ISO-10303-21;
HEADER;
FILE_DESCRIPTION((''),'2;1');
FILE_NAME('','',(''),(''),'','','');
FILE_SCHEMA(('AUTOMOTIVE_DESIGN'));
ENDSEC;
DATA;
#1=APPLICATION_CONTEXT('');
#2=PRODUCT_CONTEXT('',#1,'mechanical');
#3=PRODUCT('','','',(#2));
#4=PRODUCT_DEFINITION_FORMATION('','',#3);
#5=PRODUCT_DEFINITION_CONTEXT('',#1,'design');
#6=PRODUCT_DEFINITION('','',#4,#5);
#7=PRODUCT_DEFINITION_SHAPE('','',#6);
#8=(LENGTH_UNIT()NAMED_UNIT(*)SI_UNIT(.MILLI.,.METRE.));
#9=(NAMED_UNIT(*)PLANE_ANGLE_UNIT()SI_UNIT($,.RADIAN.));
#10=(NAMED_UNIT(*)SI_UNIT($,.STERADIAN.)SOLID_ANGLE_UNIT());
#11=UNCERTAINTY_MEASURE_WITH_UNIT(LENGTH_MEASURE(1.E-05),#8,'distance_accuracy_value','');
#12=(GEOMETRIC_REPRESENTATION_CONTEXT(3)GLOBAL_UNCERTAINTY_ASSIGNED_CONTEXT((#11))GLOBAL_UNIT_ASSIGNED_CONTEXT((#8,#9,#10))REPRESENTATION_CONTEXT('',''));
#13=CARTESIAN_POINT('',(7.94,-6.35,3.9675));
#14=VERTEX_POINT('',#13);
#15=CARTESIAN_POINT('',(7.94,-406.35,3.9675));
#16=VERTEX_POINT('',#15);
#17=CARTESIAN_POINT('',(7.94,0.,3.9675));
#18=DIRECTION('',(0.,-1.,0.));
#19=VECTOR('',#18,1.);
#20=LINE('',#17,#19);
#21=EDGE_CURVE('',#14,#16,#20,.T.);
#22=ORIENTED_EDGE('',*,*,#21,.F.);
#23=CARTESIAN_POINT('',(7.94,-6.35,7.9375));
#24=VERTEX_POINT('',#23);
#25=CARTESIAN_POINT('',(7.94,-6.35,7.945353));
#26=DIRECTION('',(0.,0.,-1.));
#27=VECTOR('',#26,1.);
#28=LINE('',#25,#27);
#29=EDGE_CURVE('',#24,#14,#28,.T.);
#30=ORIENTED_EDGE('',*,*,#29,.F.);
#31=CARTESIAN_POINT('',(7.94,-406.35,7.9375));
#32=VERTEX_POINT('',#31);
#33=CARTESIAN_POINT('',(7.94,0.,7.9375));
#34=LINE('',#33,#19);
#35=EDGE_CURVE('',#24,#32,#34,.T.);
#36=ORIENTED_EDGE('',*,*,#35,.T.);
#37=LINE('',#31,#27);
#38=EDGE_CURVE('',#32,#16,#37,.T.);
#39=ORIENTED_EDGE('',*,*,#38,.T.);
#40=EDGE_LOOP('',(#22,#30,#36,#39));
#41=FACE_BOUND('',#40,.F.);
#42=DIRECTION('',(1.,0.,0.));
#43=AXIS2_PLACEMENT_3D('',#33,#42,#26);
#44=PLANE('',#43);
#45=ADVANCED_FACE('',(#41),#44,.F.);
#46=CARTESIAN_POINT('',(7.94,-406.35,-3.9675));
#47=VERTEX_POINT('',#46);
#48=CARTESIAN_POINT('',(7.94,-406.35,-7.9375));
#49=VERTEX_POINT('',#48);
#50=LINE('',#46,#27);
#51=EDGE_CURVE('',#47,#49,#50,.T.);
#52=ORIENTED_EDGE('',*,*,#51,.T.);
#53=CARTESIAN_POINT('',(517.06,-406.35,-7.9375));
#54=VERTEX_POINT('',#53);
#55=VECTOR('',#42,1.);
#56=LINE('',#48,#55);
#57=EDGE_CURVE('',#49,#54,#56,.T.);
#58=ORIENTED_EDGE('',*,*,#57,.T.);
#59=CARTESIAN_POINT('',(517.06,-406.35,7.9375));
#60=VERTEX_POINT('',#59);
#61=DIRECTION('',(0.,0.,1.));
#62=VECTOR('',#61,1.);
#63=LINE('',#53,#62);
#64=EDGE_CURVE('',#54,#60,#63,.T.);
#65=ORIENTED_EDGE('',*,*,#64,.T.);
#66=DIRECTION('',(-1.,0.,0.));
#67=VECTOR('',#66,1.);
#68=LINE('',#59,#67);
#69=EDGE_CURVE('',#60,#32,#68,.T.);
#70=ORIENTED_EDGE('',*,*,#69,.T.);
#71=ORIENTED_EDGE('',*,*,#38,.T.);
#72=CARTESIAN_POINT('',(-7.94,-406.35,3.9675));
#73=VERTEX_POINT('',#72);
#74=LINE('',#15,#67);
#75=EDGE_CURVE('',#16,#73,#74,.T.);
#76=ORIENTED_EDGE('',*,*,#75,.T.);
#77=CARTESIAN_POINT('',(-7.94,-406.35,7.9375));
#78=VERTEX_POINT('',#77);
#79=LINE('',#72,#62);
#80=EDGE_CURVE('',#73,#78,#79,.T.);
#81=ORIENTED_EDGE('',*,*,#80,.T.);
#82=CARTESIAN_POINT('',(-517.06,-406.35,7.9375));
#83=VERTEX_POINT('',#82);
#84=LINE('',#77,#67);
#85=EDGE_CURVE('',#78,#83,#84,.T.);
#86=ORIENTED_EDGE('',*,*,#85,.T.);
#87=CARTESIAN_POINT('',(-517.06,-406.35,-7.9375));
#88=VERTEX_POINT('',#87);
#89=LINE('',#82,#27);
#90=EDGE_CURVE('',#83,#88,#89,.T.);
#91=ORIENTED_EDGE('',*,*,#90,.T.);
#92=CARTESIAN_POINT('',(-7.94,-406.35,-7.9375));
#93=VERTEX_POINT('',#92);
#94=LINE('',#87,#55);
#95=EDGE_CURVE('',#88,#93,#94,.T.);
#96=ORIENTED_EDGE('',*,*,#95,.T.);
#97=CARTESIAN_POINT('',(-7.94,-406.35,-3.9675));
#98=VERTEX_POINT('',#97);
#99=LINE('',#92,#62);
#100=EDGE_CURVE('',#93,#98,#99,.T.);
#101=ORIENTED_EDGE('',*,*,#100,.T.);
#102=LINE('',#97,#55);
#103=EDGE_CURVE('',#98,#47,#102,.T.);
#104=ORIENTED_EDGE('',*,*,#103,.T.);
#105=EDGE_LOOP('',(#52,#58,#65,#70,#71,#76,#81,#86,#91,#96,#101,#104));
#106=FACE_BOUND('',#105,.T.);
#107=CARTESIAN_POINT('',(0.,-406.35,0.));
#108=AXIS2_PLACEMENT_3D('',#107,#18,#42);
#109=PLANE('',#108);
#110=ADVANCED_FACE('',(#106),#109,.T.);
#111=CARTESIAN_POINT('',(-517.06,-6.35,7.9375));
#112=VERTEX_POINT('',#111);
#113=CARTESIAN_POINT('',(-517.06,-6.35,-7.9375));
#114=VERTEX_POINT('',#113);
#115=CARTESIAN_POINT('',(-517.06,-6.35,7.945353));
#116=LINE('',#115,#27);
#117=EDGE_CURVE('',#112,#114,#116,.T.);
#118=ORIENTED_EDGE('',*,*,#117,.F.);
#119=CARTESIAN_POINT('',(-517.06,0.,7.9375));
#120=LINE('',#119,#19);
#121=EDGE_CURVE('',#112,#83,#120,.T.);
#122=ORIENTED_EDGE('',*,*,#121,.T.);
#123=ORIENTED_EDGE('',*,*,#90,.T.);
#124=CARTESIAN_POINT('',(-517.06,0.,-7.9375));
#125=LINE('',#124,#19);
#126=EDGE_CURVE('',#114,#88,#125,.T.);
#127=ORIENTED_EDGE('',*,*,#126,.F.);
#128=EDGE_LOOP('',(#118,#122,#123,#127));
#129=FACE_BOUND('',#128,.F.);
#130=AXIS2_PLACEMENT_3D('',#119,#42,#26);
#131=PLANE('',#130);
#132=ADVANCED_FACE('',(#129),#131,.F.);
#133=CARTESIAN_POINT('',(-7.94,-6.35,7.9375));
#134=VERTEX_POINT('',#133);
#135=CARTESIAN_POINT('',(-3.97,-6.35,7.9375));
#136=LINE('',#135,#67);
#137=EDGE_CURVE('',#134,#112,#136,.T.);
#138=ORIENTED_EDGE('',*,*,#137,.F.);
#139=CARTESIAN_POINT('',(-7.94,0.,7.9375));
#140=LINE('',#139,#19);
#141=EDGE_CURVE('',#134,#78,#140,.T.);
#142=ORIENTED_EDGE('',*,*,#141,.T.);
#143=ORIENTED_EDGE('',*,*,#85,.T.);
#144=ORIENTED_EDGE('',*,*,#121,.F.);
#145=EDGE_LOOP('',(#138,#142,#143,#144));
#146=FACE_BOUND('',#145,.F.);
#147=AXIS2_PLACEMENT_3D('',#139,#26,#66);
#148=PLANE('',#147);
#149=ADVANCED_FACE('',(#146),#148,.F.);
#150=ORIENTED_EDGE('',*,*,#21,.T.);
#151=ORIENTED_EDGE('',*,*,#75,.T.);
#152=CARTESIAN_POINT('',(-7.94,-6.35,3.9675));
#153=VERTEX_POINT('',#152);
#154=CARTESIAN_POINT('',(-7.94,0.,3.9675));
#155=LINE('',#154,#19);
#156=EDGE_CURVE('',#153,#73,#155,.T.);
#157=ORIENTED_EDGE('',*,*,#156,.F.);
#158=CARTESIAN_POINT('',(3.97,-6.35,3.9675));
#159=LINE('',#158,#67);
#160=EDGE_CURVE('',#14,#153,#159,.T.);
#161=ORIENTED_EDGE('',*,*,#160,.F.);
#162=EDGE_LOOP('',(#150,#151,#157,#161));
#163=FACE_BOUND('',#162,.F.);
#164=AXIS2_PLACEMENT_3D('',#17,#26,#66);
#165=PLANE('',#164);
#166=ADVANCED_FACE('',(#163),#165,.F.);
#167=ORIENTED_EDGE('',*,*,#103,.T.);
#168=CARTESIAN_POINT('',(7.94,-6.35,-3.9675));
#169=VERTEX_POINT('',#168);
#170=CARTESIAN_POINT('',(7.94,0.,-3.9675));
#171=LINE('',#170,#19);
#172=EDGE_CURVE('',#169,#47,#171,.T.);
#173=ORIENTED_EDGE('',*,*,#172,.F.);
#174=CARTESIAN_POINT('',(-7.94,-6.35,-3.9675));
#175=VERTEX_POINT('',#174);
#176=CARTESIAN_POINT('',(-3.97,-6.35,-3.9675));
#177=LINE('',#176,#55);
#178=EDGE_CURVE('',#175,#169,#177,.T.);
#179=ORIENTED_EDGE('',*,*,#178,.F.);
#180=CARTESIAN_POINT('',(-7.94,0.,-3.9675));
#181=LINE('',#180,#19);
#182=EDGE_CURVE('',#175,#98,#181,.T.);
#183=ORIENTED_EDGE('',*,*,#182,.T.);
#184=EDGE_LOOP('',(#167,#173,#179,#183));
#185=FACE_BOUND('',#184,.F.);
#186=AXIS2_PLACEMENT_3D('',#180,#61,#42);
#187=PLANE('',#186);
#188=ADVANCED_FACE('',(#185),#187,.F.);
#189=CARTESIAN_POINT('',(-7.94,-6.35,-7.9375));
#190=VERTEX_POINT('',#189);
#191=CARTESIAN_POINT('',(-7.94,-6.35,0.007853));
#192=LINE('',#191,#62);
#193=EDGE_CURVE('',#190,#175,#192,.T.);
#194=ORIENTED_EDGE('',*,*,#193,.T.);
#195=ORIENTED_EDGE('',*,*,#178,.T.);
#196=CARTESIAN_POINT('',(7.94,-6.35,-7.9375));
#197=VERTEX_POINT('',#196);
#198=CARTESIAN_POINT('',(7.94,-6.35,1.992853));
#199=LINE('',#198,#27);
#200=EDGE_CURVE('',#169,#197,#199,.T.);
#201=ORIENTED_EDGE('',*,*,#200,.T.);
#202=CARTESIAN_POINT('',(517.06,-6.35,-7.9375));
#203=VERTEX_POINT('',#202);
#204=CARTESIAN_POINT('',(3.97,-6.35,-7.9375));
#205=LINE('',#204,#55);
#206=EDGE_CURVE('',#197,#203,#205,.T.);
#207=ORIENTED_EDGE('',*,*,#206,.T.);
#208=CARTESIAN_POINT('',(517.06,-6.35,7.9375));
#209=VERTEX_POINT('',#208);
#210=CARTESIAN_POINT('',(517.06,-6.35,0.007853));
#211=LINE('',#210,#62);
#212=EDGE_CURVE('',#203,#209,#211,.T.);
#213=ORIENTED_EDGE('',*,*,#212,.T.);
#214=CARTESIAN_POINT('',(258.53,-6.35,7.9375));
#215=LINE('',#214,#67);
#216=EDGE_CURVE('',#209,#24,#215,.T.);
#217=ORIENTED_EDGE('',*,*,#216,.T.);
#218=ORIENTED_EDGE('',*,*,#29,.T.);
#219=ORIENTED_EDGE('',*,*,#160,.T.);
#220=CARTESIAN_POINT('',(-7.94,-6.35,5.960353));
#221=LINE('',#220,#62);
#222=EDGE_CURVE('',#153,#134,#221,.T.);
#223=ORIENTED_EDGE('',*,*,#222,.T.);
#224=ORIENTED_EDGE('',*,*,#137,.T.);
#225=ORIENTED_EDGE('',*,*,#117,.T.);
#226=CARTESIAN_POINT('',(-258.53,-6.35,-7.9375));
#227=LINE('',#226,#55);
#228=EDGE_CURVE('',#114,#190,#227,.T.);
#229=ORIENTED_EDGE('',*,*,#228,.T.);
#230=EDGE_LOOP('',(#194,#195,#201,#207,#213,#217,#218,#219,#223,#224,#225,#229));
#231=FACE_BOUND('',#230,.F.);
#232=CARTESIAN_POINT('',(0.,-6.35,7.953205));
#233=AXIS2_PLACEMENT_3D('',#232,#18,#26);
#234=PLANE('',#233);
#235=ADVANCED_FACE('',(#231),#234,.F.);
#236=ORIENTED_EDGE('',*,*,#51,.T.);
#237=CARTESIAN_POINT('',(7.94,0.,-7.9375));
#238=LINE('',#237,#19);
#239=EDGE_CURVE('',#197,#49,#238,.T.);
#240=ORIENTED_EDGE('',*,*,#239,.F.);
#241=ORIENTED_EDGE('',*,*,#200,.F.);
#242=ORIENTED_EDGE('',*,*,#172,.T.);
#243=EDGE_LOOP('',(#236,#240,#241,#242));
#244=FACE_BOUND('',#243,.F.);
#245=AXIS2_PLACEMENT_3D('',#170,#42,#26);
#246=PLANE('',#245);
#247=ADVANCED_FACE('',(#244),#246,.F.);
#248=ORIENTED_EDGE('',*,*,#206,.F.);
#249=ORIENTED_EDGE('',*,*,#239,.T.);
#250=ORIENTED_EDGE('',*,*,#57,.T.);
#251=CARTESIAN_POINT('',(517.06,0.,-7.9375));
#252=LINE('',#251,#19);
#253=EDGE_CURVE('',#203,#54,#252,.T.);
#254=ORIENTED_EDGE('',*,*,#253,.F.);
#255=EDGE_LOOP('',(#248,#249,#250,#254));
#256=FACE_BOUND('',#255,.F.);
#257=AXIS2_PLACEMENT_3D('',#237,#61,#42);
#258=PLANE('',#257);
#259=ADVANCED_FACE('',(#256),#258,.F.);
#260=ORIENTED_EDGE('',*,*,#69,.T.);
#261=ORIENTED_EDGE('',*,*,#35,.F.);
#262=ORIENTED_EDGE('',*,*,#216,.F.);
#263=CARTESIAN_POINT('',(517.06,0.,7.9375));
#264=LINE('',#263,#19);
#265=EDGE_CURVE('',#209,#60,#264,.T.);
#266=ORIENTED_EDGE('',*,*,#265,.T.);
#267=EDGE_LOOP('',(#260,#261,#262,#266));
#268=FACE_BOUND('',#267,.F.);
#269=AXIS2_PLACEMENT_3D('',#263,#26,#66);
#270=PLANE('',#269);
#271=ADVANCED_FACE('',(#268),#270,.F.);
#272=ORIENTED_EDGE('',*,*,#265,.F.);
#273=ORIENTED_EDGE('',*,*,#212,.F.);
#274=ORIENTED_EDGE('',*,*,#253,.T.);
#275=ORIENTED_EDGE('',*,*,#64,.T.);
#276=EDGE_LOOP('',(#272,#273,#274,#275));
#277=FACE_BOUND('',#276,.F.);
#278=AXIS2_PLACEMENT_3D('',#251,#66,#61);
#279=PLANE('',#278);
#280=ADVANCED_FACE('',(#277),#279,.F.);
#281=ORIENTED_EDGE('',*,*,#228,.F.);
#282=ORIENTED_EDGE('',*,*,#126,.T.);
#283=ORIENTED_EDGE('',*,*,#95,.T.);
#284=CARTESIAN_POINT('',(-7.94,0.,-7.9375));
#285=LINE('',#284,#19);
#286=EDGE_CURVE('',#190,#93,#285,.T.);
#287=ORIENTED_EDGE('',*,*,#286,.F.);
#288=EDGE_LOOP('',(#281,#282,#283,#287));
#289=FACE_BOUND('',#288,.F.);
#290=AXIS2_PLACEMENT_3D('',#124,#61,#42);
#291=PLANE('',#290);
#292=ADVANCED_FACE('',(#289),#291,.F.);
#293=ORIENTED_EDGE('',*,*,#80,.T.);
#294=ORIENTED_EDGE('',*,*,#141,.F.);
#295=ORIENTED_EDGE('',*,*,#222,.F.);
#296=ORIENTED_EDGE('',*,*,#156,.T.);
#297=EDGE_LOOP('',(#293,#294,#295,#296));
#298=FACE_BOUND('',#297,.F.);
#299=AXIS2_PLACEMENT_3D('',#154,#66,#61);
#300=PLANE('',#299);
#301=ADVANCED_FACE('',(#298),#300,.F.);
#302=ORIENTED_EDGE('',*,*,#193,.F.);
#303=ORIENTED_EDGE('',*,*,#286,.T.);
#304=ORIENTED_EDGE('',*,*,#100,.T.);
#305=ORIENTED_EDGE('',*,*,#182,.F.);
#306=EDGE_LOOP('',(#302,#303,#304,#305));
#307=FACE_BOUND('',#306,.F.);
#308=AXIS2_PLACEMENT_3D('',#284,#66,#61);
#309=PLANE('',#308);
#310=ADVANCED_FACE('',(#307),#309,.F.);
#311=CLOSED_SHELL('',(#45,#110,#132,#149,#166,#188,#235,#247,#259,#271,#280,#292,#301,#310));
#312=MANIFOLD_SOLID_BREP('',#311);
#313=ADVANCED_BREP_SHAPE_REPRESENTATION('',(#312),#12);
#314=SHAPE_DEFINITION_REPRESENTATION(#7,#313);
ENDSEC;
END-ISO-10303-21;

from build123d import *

# Parameters (mm, degrees)
F1_DEPTH = 406.35
F2_W     = 6.35
F2_H     = 7.9532051459
F3_DEPTH = 525


with BuildPart() as f1:
    # F0 (on Front) → F1 (new body)
    with BuildSketch(Plane.XZ):
        Polygon((517.06, 0), (517.06, 7.9375), (7.94, 7.9375), (7.94, 3.9675), (-7.94, 3.9675), (-7.94, 7.9375), (-517.06, 7.9375), (-517.06, 0), (-517.06, -7.9375), (-7.94, -7.9375), (-7.94, -3.9675), (7.94, -3.9675), (7.94, -7.9375), (517.06, -7.9375), align=None)
    extrude(amount=F1_DEPTH)

    # F2 (on Right) → F3 (cut, symmetric)
    with BuildSketch(Plane.YZ):
        with Locations((-3.175, -3.9766025729)):
            Rectangle(F2_W, F2_H)
        with Locations((-3.175, 3.9766025729)):
            Rectangle(F2_W, F2_H)
    extrude(amount=F3_DEPTH, both=True, mode=Mode.SUBTRACT)


solid = f1.part
